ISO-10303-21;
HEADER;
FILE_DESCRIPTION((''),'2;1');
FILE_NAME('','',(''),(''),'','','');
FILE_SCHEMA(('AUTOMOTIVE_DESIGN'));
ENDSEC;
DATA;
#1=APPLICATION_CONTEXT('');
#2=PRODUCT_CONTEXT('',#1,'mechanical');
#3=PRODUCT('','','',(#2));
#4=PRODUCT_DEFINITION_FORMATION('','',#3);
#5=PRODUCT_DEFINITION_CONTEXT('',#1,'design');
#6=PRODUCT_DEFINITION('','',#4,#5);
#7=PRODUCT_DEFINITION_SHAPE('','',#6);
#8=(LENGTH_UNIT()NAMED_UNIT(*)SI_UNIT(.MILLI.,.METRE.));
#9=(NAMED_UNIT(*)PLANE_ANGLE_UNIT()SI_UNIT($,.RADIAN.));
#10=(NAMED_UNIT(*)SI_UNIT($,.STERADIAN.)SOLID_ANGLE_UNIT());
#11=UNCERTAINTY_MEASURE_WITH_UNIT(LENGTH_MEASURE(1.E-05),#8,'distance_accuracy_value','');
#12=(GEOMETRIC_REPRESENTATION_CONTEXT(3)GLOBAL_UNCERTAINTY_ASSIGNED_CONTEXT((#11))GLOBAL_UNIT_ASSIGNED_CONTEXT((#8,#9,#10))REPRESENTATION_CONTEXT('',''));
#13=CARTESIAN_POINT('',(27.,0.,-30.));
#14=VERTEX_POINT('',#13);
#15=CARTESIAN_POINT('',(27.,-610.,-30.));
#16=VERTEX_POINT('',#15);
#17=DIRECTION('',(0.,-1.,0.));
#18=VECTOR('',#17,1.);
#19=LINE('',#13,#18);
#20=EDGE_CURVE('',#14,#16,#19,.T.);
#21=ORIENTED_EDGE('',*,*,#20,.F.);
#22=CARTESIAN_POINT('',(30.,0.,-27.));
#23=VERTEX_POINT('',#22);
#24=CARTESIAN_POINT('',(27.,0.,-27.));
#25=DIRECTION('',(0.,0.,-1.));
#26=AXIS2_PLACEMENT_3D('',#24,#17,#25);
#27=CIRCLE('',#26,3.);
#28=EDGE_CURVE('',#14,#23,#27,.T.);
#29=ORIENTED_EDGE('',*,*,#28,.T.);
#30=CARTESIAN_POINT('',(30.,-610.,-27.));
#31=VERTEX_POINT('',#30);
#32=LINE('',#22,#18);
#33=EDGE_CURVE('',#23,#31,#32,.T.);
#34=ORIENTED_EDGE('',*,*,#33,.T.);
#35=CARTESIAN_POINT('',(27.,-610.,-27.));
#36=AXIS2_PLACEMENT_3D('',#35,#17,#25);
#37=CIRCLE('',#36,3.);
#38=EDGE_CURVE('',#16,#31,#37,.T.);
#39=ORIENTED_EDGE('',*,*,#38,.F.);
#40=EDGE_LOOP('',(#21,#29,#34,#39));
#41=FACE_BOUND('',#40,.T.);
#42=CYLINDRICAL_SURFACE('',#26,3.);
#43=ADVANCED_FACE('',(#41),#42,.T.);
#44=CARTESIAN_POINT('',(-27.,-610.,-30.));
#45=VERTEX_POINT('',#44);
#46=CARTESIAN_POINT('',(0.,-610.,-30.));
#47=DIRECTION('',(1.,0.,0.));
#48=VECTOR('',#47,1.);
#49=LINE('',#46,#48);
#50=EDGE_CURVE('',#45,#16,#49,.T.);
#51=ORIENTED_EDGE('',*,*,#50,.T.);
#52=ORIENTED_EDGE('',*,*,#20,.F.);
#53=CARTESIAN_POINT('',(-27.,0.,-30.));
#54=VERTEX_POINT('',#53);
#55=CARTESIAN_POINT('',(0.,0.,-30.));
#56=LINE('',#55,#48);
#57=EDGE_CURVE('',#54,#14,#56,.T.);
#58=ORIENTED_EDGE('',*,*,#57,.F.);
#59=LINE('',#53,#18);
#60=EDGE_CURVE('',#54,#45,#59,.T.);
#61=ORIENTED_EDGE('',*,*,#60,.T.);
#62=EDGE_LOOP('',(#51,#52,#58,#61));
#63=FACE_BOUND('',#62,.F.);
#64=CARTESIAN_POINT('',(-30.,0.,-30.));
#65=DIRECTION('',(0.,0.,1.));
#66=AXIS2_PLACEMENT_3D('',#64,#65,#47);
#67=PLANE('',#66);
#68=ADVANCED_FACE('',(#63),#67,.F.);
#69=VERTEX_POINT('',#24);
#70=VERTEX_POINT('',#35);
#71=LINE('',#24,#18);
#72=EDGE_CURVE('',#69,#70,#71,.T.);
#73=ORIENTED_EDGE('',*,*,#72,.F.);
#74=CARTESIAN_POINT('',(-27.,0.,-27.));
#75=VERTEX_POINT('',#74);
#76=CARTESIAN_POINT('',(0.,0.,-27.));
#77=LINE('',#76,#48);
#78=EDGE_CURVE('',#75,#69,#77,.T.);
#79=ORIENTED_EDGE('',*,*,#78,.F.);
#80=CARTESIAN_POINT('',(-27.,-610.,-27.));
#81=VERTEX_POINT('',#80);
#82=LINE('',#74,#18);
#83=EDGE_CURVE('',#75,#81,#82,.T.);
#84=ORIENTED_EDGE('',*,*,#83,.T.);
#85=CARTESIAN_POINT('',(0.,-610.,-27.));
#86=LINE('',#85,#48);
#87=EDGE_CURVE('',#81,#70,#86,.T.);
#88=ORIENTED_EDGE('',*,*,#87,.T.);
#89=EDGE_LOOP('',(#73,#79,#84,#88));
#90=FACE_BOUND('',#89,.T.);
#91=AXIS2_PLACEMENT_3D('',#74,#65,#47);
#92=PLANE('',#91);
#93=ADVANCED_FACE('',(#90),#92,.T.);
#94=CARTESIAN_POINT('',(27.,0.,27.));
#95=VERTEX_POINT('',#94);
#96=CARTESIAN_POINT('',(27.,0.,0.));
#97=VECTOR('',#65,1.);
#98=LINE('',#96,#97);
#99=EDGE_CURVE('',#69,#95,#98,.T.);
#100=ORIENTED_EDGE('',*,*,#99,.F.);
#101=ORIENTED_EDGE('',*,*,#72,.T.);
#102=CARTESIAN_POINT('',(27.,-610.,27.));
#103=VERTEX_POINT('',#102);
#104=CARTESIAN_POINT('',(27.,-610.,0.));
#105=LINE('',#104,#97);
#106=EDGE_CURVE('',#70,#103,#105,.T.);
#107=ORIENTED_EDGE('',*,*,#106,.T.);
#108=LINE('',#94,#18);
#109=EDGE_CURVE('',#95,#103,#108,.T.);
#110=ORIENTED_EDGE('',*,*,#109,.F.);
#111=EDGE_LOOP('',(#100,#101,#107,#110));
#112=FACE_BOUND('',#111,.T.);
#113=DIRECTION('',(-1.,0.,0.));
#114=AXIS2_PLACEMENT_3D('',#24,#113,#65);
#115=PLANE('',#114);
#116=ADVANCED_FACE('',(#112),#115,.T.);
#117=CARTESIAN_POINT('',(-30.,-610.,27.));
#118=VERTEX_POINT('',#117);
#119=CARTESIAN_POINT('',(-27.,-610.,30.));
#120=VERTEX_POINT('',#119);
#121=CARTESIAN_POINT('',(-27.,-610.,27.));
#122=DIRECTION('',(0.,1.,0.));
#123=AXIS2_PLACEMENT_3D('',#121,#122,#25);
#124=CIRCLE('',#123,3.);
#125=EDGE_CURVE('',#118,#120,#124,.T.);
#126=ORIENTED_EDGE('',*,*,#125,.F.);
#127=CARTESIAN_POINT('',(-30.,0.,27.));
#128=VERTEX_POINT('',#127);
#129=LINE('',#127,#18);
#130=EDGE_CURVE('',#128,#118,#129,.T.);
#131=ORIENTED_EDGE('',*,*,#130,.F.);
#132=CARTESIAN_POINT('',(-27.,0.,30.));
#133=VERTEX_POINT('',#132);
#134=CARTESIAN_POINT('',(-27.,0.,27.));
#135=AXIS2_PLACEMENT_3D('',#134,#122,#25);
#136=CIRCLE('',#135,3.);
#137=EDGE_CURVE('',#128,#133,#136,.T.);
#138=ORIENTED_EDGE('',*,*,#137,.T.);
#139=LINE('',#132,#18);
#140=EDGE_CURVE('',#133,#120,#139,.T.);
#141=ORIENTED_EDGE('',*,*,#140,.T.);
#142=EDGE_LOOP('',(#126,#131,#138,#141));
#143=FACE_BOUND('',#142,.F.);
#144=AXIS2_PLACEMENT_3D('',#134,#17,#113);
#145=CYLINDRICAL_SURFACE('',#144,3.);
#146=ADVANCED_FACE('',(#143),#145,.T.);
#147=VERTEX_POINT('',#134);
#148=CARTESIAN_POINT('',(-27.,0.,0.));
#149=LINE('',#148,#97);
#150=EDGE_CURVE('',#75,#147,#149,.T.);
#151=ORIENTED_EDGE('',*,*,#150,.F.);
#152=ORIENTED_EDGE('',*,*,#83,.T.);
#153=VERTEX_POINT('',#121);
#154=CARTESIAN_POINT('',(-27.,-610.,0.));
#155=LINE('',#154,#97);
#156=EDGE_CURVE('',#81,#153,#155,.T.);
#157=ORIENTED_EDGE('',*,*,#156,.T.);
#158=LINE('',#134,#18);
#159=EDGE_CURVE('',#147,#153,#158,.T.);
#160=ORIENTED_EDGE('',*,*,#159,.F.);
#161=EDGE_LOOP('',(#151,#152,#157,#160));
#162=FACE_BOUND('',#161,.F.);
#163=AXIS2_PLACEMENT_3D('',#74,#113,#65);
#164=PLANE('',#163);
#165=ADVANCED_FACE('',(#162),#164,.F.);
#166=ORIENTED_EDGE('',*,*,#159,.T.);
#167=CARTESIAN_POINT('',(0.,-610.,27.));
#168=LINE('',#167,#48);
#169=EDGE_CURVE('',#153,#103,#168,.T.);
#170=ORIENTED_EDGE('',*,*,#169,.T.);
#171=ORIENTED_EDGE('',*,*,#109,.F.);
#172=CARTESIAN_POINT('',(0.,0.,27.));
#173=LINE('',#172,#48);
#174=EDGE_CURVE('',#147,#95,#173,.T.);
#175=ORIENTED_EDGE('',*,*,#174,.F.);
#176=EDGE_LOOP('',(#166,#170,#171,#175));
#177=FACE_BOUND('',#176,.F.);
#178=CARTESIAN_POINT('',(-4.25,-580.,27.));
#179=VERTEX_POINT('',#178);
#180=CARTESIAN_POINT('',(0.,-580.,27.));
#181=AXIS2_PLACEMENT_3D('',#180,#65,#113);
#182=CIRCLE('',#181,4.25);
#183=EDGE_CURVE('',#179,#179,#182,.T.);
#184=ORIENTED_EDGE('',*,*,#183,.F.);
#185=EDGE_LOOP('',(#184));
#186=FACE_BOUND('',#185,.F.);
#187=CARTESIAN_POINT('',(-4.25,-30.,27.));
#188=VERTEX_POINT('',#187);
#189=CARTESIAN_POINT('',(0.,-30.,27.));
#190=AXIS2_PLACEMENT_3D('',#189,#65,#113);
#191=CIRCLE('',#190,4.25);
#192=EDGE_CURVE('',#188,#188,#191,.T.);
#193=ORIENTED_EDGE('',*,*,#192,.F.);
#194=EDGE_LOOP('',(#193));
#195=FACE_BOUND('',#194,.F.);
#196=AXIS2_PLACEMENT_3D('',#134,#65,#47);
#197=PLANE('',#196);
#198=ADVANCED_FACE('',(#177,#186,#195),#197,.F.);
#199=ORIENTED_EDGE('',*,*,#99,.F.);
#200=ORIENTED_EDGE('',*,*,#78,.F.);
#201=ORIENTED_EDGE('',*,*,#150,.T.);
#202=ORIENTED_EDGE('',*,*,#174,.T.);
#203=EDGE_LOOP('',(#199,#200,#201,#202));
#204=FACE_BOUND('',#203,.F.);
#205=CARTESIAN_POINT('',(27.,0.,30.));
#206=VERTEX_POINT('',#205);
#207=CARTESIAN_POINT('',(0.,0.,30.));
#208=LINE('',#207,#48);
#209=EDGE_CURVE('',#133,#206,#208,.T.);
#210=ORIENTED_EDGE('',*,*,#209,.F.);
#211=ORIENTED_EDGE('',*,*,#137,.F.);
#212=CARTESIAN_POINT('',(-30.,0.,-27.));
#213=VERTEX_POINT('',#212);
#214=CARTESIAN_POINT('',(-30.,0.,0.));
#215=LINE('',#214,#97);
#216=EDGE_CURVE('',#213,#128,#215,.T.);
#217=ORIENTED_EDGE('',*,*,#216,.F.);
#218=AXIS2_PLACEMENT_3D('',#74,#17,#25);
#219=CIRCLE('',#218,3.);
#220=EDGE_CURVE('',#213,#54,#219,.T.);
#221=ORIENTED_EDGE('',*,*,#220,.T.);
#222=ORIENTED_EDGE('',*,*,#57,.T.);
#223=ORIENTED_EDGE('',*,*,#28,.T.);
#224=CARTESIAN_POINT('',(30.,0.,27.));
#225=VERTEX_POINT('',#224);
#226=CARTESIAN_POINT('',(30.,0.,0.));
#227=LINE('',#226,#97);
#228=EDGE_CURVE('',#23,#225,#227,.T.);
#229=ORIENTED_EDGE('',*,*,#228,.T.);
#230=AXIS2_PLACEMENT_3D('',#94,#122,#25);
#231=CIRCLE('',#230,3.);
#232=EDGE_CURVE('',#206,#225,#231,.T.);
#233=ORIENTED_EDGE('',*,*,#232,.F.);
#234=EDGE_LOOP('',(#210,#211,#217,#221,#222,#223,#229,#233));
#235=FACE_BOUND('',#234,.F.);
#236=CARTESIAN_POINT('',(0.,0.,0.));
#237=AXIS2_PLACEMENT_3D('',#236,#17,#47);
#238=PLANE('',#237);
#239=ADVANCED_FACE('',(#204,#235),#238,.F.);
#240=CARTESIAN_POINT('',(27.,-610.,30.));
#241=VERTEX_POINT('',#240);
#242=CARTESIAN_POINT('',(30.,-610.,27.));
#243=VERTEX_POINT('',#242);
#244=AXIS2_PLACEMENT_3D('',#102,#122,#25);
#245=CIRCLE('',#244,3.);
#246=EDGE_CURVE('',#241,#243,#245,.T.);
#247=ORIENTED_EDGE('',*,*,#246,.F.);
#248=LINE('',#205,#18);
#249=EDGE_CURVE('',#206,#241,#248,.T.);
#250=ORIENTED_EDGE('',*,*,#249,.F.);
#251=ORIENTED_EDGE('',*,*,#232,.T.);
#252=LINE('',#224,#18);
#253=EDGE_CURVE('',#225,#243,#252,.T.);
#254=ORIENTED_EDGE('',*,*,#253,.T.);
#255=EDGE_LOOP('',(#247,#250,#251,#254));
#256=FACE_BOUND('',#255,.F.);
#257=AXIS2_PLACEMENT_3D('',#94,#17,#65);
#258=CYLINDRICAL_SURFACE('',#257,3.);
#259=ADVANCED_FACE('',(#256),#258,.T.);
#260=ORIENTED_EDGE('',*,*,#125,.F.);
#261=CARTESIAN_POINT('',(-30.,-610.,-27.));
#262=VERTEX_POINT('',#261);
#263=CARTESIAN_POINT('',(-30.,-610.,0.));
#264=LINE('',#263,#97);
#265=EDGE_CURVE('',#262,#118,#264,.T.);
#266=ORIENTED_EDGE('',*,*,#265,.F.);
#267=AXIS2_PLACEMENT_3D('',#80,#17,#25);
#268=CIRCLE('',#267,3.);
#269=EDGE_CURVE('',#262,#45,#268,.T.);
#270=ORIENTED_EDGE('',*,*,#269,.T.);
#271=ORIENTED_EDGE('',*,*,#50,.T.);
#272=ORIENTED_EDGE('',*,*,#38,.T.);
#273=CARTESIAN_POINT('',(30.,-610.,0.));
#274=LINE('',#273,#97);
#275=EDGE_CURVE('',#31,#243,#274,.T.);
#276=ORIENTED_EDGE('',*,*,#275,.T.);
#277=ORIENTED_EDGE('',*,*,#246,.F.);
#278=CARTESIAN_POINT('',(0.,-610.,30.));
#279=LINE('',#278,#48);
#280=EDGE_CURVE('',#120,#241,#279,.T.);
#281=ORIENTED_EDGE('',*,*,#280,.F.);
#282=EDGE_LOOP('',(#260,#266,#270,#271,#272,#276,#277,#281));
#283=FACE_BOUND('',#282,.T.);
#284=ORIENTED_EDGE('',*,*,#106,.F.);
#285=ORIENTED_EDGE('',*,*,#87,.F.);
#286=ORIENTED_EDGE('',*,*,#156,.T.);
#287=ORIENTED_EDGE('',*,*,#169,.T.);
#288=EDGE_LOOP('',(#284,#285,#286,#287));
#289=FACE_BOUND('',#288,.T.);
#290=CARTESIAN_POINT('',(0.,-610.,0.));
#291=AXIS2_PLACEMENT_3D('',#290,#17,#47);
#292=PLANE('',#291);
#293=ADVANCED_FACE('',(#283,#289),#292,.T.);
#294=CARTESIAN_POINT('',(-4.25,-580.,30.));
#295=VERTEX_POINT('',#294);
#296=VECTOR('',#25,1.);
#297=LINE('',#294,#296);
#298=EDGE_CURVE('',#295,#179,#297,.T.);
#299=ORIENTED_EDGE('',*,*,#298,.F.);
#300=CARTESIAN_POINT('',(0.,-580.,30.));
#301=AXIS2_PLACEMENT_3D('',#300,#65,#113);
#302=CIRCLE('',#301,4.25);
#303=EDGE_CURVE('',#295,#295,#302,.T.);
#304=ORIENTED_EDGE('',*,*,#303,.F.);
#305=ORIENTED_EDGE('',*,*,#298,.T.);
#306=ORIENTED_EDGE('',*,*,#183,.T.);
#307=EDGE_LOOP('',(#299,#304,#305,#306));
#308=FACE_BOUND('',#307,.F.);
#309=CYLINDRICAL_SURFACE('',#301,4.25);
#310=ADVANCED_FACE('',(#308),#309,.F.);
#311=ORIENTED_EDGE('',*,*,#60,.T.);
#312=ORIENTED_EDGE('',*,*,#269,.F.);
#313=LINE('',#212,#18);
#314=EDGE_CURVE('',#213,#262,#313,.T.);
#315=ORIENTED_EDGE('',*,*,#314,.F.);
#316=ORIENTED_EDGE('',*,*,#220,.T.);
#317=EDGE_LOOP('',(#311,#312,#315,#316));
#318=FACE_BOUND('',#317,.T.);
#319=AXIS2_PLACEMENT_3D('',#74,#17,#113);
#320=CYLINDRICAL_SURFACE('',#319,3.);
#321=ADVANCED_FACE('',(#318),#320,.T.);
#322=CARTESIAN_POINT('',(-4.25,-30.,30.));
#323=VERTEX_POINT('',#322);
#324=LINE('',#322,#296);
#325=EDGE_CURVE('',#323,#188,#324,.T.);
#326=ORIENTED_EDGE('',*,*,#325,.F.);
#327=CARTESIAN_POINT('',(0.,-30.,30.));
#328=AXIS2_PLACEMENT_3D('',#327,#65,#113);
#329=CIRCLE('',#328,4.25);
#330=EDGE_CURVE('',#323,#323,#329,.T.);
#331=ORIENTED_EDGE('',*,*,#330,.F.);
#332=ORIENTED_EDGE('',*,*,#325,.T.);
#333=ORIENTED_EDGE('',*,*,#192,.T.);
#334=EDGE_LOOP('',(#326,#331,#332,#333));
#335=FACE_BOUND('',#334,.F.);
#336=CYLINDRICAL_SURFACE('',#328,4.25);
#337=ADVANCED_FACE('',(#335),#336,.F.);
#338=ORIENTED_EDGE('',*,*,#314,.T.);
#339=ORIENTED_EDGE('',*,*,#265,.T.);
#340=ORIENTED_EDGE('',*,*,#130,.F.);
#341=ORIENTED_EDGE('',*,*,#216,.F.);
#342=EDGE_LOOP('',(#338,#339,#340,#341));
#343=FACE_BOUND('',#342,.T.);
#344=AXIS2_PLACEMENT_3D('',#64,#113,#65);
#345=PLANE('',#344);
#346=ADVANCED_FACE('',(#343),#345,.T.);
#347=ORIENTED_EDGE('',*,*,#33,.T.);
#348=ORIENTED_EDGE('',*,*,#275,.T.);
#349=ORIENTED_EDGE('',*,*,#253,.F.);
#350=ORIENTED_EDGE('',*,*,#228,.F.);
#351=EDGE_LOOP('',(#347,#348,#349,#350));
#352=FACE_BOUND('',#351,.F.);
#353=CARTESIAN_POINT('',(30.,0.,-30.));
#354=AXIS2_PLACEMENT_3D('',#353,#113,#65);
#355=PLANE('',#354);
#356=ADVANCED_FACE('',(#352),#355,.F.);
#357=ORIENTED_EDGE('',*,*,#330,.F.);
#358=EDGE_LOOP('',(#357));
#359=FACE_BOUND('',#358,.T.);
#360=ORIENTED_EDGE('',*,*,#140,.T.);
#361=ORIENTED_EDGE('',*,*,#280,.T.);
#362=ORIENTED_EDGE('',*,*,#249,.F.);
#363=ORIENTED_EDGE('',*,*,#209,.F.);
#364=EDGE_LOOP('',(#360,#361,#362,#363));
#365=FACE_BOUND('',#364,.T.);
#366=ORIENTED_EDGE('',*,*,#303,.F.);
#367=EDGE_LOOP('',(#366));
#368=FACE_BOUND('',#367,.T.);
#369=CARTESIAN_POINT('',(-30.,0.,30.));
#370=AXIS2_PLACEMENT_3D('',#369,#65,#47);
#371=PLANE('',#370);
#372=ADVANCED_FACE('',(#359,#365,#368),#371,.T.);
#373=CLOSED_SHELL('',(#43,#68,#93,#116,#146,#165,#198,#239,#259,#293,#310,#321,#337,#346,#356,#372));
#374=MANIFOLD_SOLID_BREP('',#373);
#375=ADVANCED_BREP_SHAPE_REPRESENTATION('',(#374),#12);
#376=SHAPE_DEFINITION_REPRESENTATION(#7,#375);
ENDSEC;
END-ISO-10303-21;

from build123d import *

# Parameters (mm, degrees)
SKETCH_W     = 60
SKETCH_H     = 60
SKETCH_W_2   = 54
SKETCH_H_2   = 54
PAD_DEPTH    = 610
SKETCH001_R  = 4.25
POCKET_DEPTH = 3
FILLET_R     = 3


with BuildPart() as part:
    # Sketch → Pad (new body)
    with BuildSketch(Plane.XZ):
        Rectangle(SKETCH_W, SKETCH_H)
        Rectangle(SKETCH_W_2, SKETCH_H_2, mode=Mode.SUBTRACT)
    extrude(amount=PAD_DEPTH)

    # Sketch001 (on Face1 of Pad) → Pocket (cut)
    with BuildSketch(Plane(origin=(0, 0, 30), x_dir=(-1, 0, 0), z_dir=(0, 0, 1))):
        with Locations((0, 30)):
            Circle(SKETCH001_R)
        with Locations((0, 580)):
            Circle(SKETCH001_R)
    extrude(amount=-POCKET_DEPTH, mode=Mode.SUBTRACT)

    # Fillet
    fillet_edges = [part.edges().sort_by_distance(p)[0] for p in [
        (30, -305, 30),
        (30, -305, -30),
        (-30, -305, 30),
        (-30, -305, -30),
    ]]
    fillet(fillet_edges, radius=FILLET_R)


solid = part.part
